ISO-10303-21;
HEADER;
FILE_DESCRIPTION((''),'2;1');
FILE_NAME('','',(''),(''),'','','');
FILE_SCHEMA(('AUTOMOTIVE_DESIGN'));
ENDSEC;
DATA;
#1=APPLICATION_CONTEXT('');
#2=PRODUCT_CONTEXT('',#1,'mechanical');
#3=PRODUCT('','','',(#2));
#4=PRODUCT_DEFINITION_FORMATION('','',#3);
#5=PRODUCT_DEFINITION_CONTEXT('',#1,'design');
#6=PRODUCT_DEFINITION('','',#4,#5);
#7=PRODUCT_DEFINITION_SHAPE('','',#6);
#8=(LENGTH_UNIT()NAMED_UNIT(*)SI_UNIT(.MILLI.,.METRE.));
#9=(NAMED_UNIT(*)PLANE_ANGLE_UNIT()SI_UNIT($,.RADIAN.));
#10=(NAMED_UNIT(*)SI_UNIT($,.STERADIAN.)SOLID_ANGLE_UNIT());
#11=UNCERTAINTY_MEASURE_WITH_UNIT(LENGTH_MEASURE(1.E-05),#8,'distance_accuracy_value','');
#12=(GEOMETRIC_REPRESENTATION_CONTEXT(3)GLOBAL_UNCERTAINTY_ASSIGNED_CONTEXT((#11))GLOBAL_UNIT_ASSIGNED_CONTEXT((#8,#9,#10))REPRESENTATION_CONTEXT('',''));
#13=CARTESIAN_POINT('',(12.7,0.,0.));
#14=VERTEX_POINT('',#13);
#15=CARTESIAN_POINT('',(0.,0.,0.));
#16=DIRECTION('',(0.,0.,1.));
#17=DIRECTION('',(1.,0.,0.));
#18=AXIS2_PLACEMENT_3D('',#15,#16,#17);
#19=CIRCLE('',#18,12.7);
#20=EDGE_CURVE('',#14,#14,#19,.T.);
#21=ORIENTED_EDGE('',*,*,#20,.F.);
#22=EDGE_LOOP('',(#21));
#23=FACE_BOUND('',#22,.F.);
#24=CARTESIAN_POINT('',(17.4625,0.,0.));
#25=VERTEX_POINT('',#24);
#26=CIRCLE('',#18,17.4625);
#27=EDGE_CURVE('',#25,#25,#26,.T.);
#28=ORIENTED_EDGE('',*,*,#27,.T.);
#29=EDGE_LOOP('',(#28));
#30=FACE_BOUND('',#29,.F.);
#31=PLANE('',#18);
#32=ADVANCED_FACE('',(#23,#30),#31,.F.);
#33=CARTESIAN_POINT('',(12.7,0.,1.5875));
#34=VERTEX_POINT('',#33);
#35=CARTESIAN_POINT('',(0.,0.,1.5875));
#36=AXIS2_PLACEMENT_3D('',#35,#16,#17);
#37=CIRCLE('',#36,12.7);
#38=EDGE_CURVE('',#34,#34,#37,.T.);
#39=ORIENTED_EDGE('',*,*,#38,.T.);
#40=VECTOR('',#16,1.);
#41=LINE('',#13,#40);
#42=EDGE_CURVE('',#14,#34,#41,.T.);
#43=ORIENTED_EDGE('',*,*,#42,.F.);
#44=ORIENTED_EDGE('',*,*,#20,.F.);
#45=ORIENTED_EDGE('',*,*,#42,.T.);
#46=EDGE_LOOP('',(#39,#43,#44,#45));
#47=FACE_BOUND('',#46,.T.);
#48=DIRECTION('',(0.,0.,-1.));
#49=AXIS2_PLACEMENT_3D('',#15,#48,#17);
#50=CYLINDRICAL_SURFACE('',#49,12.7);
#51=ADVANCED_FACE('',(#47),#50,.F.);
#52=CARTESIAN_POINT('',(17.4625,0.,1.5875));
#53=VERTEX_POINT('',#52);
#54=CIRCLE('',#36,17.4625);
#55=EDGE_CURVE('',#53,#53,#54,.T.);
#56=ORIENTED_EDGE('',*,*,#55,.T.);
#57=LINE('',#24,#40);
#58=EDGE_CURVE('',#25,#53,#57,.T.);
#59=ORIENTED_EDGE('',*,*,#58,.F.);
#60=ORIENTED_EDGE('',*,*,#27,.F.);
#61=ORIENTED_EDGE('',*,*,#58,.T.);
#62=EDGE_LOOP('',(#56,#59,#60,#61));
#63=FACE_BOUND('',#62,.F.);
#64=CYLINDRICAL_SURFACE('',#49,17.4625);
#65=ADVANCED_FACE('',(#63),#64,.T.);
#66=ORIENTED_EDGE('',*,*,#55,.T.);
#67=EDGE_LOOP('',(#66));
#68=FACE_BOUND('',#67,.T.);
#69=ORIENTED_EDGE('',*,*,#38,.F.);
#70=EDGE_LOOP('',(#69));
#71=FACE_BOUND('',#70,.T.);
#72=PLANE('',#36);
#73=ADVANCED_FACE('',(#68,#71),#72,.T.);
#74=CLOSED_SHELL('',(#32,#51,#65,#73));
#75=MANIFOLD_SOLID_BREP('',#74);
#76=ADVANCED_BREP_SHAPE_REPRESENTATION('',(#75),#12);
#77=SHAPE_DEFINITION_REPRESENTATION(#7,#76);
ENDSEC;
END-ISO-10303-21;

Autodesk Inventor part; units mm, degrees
ref_plane "YZ Plane" through (0, 0, 0) normal (1, 0, 0) x (0, 1, 0)
ref_plane "XZ Plane" through (0, 0, 0) normal (0, 1, 0) x (-1, 0, 0)
ref_plane "XY Plane" through (0, 0, 0) normal (0, 0, 1) x (1, 0, 0)
sketch "Sketch1" plane through (0, 0, 0) normal (0, 0, 1) x (1, 0, 0)
  circle A0 centre (0, 0) radius 12.7 projected
  circle A1 centre (0, 0) radius 22.86 projected
  circle A2 centre (0, 0) radius 17.4625
  dimension "d0" = 34.925
extrude "Extrusion1" add sketch "Sketch1" along normal blind 1.5875 contours A2
properties part number "outerMountGasket"
